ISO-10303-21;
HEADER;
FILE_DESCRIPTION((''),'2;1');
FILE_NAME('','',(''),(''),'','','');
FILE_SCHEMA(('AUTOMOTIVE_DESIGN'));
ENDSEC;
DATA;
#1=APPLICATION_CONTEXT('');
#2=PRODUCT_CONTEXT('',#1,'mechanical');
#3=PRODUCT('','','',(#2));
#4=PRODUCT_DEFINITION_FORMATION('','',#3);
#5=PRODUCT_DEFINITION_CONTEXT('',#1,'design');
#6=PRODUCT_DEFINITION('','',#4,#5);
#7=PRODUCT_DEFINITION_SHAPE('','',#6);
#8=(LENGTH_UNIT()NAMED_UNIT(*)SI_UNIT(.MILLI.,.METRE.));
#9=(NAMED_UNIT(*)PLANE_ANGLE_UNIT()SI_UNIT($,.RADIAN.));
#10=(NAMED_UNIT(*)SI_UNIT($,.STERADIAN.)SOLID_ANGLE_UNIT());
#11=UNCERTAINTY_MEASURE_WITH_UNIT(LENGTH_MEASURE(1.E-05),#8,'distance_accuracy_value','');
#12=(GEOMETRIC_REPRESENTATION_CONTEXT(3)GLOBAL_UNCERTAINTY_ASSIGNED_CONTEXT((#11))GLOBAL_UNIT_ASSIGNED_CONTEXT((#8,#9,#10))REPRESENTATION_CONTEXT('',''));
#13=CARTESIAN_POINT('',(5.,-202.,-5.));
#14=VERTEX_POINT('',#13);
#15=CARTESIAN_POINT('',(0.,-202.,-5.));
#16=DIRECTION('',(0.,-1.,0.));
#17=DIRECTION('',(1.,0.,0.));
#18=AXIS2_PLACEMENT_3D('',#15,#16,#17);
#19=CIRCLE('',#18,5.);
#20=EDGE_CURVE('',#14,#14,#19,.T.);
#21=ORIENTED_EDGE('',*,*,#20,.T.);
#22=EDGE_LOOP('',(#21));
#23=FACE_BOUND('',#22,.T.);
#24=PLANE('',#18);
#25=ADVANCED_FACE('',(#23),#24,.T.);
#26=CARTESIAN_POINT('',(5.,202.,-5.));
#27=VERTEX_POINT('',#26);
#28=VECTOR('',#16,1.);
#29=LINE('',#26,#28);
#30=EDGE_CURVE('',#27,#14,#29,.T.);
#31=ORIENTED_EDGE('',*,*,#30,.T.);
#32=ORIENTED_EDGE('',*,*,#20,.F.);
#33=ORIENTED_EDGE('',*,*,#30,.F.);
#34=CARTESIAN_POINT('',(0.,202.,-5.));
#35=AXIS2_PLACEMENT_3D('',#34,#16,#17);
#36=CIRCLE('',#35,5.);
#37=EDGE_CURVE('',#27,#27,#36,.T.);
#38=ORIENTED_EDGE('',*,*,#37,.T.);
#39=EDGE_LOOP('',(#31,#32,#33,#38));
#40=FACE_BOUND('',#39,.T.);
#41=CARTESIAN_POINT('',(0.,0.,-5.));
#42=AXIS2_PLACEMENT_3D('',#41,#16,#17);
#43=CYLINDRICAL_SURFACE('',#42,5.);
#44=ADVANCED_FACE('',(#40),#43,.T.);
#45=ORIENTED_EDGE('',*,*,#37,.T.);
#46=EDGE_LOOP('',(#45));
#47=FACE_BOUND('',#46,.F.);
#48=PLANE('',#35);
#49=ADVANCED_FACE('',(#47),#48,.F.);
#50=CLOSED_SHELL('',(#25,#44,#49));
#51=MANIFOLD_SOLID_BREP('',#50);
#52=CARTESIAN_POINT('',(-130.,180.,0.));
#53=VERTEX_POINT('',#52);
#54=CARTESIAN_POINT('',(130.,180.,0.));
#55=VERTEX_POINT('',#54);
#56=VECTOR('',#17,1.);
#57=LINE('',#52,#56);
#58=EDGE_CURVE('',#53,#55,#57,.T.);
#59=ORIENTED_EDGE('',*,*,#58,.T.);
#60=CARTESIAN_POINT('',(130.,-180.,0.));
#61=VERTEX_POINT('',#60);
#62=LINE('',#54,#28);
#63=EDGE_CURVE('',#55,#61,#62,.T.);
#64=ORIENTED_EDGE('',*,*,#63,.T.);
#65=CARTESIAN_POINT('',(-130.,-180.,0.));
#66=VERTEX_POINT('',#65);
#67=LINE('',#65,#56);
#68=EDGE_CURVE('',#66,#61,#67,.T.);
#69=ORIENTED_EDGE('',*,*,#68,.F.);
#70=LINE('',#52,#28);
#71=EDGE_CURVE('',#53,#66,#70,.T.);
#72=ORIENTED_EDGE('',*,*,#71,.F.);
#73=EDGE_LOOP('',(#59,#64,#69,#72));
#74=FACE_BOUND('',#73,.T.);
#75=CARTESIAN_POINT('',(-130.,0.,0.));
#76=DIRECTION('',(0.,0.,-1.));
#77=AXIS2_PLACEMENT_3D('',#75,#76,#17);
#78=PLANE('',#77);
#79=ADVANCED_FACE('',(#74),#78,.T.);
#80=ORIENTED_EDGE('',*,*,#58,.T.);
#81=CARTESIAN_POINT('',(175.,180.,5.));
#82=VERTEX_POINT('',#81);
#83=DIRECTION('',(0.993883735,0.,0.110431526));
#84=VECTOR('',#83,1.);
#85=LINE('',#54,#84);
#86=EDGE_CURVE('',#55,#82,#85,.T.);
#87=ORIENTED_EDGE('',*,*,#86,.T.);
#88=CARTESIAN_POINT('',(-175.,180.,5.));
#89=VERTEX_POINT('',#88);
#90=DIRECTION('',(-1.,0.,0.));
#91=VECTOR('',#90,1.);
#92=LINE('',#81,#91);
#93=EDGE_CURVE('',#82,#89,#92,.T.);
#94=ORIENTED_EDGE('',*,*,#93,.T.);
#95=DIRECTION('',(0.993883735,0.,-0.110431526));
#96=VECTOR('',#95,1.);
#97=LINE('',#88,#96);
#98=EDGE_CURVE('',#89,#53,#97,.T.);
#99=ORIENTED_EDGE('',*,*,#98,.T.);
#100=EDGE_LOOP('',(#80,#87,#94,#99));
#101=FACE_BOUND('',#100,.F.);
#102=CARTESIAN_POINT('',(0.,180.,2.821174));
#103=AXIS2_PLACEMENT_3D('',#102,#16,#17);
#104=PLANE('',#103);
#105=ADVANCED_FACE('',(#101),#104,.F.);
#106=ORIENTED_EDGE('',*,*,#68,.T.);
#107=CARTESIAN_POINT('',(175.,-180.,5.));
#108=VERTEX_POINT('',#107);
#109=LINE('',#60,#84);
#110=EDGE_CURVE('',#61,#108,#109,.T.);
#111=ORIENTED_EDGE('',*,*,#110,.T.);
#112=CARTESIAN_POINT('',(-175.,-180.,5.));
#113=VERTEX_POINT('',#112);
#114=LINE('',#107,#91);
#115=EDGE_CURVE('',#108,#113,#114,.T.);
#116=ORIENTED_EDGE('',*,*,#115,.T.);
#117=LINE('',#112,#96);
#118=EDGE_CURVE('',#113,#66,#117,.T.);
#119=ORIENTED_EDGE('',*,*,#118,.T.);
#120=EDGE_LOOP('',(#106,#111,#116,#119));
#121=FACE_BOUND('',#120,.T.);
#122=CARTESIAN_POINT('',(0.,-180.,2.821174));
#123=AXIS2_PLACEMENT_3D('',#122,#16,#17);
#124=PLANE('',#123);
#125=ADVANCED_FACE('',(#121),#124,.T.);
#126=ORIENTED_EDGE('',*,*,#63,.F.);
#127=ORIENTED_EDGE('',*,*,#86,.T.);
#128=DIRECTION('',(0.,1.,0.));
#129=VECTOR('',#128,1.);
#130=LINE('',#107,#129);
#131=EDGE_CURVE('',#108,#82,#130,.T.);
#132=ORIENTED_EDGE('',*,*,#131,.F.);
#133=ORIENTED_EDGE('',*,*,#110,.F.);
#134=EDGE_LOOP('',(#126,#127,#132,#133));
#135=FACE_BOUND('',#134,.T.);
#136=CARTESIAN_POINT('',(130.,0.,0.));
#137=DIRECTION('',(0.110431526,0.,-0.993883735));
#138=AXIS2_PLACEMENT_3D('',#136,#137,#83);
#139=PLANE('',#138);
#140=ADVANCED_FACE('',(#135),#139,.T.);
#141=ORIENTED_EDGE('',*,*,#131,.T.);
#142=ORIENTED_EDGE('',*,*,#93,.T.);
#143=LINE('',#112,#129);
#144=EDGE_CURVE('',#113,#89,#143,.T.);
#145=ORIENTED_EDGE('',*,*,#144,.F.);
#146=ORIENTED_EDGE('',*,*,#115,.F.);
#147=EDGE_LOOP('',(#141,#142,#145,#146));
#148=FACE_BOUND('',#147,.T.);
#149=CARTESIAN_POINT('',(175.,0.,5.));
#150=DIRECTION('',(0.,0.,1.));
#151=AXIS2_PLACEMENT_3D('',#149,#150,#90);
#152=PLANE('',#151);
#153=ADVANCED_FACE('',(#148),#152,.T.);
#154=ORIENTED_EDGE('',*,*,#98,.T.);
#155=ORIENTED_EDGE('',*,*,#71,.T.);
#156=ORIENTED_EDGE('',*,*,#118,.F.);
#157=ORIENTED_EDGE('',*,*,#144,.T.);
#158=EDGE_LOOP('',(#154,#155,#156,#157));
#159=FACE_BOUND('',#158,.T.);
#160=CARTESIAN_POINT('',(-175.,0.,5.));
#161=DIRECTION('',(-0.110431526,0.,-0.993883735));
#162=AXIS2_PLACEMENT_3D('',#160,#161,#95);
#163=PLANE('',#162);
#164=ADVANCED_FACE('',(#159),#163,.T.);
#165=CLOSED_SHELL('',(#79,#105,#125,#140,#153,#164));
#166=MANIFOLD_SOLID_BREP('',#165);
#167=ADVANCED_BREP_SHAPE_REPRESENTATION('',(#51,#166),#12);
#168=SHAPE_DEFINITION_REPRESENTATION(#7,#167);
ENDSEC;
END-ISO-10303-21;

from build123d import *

# Parameters (mm, degrees)
F1_DEPTH = 180
F2_R     = 5
F3_DEPTH = 202


with BuildPart() as f1:
    # F0 (on Front) → F1 (new body, symmetric)
    with BuildSketch(Plane.XZ):
        Polygon((-175, 5), (-130, 0), (130, 0), (175, 5), align=None)
    extrude(amount=F1_DEPTH, both=True)


with BuildPart() as f3:
    # F2 (on Front) → F3 (new body, symmetric)
    with BuildSketch(Plane.XZ):
        with Locations((0, -5)):
            Circle(F2_R)
    extrude(amount=F3_DEPTH, both=True)


solid = Compound([f1.part, f3.part])
